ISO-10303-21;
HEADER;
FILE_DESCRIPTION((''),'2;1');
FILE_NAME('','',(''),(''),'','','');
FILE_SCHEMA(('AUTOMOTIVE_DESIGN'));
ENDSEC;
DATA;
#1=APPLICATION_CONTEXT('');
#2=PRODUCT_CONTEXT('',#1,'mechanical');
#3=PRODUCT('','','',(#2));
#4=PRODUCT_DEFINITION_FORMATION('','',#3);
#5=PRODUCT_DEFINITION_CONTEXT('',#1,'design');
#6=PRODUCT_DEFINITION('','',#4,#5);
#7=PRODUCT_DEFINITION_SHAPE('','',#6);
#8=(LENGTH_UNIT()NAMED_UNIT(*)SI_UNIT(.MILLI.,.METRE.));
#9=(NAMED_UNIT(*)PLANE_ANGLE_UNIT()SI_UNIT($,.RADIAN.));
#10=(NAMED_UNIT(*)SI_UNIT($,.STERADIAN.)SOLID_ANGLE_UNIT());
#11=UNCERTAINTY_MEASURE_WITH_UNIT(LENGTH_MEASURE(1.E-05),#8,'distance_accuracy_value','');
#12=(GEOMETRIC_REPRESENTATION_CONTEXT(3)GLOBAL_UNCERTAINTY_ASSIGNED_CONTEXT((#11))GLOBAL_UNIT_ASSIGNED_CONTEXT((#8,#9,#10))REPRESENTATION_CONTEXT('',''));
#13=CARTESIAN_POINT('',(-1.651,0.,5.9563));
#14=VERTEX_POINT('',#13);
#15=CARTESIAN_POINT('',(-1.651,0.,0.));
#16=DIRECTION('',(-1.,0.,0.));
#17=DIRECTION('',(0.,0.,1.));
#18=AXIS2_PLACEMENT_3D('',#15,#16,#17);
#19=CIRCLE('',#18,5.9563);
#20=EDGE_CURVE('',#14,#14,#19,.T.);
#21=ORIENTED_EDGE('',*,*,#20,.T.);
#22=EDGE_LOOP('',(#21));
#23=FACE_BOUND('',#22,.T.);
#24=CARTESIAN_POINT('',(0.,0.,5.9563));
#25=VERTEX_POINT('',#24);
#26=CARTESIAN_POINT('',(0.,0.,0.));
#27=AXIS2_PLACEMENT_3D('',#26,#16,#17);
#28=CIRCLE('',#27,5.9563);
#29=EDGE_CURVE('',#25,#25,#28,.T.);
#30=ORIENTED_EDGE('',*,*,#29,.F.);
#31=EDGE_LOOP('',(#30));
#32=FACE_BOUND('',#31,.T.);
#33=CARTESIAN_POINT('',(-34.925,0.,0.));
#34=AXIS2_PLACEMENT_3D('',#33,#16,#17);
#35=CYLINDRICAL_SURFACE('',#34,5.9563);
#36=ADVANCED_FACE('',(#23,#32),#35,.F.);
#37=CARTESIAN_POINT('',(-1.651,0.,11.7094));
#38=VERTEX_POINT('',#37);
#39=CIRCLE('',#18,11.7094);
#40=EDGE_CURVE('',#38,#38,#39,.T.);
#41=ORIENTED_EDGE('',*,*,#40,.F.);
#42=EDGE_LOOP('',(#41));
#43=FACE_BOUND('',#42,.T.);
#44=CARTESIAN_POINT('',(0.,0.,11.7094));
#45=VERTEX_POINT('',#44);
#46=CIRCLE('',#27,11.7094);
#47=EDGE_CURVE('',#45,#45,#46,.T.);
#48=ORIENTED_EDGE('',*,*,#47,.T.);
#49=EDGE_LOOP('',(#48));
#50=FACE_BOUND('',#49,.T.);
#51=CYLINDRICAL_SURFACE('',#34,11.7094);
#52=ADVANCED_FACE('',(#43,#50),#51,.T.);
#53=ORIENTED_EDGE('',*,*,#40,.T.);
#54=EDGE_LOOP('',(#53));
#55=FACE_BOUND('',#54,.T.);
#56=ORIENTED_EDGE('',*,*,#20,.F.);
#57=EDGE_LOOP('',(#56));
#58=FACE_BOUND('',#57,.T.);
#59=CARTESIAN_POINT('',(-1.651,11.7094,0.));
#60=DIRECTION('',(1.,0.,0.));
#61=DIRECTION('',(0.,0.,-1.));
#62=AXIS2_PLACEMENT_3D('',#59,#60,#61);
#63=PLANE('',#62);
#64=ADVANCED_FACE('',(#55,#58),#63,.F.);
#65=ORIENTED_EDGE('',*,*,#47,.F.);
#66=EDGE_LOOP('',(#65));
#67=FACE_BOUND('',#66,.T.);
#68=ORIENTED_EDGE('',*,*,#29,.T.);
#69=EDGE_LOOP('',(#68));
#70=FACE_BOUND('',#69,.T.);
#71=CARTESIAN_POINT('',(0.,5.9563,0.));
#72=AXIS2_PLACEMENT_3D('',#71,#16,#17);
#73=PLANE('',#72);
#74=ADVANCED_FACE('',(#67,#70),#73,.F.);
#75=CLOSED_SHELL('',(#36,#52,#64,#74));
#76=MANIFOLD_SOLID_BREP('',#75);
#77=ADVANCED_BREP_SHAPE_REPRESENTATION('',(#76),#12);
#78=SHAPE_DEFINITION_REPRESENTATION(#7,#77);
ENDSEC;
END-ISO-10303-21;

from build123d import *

# Parameters (mm, degrees)
SKETCH1_W = 1.651
SKETCH1_H = 5.7531


with BuildPart() as part:
    # Sketch1 → Base-Revolve (revolve)
    with BuildSketch(Plane.XY, mode=Mode.PRIVATE) as base_revolve_sk:
        with Locations((-0.8255, 8.83285)):
            Rectangle(SKETCH1_W, SKETCH1_H)
    revolve(base_revolve_sk.sketch.rotate(Axis((-34.925, 0, 0), (1, 0, 0)), 90), axis=Axis((-34.925, 0, 0), (1, 0, 0)))


solid = part.part
